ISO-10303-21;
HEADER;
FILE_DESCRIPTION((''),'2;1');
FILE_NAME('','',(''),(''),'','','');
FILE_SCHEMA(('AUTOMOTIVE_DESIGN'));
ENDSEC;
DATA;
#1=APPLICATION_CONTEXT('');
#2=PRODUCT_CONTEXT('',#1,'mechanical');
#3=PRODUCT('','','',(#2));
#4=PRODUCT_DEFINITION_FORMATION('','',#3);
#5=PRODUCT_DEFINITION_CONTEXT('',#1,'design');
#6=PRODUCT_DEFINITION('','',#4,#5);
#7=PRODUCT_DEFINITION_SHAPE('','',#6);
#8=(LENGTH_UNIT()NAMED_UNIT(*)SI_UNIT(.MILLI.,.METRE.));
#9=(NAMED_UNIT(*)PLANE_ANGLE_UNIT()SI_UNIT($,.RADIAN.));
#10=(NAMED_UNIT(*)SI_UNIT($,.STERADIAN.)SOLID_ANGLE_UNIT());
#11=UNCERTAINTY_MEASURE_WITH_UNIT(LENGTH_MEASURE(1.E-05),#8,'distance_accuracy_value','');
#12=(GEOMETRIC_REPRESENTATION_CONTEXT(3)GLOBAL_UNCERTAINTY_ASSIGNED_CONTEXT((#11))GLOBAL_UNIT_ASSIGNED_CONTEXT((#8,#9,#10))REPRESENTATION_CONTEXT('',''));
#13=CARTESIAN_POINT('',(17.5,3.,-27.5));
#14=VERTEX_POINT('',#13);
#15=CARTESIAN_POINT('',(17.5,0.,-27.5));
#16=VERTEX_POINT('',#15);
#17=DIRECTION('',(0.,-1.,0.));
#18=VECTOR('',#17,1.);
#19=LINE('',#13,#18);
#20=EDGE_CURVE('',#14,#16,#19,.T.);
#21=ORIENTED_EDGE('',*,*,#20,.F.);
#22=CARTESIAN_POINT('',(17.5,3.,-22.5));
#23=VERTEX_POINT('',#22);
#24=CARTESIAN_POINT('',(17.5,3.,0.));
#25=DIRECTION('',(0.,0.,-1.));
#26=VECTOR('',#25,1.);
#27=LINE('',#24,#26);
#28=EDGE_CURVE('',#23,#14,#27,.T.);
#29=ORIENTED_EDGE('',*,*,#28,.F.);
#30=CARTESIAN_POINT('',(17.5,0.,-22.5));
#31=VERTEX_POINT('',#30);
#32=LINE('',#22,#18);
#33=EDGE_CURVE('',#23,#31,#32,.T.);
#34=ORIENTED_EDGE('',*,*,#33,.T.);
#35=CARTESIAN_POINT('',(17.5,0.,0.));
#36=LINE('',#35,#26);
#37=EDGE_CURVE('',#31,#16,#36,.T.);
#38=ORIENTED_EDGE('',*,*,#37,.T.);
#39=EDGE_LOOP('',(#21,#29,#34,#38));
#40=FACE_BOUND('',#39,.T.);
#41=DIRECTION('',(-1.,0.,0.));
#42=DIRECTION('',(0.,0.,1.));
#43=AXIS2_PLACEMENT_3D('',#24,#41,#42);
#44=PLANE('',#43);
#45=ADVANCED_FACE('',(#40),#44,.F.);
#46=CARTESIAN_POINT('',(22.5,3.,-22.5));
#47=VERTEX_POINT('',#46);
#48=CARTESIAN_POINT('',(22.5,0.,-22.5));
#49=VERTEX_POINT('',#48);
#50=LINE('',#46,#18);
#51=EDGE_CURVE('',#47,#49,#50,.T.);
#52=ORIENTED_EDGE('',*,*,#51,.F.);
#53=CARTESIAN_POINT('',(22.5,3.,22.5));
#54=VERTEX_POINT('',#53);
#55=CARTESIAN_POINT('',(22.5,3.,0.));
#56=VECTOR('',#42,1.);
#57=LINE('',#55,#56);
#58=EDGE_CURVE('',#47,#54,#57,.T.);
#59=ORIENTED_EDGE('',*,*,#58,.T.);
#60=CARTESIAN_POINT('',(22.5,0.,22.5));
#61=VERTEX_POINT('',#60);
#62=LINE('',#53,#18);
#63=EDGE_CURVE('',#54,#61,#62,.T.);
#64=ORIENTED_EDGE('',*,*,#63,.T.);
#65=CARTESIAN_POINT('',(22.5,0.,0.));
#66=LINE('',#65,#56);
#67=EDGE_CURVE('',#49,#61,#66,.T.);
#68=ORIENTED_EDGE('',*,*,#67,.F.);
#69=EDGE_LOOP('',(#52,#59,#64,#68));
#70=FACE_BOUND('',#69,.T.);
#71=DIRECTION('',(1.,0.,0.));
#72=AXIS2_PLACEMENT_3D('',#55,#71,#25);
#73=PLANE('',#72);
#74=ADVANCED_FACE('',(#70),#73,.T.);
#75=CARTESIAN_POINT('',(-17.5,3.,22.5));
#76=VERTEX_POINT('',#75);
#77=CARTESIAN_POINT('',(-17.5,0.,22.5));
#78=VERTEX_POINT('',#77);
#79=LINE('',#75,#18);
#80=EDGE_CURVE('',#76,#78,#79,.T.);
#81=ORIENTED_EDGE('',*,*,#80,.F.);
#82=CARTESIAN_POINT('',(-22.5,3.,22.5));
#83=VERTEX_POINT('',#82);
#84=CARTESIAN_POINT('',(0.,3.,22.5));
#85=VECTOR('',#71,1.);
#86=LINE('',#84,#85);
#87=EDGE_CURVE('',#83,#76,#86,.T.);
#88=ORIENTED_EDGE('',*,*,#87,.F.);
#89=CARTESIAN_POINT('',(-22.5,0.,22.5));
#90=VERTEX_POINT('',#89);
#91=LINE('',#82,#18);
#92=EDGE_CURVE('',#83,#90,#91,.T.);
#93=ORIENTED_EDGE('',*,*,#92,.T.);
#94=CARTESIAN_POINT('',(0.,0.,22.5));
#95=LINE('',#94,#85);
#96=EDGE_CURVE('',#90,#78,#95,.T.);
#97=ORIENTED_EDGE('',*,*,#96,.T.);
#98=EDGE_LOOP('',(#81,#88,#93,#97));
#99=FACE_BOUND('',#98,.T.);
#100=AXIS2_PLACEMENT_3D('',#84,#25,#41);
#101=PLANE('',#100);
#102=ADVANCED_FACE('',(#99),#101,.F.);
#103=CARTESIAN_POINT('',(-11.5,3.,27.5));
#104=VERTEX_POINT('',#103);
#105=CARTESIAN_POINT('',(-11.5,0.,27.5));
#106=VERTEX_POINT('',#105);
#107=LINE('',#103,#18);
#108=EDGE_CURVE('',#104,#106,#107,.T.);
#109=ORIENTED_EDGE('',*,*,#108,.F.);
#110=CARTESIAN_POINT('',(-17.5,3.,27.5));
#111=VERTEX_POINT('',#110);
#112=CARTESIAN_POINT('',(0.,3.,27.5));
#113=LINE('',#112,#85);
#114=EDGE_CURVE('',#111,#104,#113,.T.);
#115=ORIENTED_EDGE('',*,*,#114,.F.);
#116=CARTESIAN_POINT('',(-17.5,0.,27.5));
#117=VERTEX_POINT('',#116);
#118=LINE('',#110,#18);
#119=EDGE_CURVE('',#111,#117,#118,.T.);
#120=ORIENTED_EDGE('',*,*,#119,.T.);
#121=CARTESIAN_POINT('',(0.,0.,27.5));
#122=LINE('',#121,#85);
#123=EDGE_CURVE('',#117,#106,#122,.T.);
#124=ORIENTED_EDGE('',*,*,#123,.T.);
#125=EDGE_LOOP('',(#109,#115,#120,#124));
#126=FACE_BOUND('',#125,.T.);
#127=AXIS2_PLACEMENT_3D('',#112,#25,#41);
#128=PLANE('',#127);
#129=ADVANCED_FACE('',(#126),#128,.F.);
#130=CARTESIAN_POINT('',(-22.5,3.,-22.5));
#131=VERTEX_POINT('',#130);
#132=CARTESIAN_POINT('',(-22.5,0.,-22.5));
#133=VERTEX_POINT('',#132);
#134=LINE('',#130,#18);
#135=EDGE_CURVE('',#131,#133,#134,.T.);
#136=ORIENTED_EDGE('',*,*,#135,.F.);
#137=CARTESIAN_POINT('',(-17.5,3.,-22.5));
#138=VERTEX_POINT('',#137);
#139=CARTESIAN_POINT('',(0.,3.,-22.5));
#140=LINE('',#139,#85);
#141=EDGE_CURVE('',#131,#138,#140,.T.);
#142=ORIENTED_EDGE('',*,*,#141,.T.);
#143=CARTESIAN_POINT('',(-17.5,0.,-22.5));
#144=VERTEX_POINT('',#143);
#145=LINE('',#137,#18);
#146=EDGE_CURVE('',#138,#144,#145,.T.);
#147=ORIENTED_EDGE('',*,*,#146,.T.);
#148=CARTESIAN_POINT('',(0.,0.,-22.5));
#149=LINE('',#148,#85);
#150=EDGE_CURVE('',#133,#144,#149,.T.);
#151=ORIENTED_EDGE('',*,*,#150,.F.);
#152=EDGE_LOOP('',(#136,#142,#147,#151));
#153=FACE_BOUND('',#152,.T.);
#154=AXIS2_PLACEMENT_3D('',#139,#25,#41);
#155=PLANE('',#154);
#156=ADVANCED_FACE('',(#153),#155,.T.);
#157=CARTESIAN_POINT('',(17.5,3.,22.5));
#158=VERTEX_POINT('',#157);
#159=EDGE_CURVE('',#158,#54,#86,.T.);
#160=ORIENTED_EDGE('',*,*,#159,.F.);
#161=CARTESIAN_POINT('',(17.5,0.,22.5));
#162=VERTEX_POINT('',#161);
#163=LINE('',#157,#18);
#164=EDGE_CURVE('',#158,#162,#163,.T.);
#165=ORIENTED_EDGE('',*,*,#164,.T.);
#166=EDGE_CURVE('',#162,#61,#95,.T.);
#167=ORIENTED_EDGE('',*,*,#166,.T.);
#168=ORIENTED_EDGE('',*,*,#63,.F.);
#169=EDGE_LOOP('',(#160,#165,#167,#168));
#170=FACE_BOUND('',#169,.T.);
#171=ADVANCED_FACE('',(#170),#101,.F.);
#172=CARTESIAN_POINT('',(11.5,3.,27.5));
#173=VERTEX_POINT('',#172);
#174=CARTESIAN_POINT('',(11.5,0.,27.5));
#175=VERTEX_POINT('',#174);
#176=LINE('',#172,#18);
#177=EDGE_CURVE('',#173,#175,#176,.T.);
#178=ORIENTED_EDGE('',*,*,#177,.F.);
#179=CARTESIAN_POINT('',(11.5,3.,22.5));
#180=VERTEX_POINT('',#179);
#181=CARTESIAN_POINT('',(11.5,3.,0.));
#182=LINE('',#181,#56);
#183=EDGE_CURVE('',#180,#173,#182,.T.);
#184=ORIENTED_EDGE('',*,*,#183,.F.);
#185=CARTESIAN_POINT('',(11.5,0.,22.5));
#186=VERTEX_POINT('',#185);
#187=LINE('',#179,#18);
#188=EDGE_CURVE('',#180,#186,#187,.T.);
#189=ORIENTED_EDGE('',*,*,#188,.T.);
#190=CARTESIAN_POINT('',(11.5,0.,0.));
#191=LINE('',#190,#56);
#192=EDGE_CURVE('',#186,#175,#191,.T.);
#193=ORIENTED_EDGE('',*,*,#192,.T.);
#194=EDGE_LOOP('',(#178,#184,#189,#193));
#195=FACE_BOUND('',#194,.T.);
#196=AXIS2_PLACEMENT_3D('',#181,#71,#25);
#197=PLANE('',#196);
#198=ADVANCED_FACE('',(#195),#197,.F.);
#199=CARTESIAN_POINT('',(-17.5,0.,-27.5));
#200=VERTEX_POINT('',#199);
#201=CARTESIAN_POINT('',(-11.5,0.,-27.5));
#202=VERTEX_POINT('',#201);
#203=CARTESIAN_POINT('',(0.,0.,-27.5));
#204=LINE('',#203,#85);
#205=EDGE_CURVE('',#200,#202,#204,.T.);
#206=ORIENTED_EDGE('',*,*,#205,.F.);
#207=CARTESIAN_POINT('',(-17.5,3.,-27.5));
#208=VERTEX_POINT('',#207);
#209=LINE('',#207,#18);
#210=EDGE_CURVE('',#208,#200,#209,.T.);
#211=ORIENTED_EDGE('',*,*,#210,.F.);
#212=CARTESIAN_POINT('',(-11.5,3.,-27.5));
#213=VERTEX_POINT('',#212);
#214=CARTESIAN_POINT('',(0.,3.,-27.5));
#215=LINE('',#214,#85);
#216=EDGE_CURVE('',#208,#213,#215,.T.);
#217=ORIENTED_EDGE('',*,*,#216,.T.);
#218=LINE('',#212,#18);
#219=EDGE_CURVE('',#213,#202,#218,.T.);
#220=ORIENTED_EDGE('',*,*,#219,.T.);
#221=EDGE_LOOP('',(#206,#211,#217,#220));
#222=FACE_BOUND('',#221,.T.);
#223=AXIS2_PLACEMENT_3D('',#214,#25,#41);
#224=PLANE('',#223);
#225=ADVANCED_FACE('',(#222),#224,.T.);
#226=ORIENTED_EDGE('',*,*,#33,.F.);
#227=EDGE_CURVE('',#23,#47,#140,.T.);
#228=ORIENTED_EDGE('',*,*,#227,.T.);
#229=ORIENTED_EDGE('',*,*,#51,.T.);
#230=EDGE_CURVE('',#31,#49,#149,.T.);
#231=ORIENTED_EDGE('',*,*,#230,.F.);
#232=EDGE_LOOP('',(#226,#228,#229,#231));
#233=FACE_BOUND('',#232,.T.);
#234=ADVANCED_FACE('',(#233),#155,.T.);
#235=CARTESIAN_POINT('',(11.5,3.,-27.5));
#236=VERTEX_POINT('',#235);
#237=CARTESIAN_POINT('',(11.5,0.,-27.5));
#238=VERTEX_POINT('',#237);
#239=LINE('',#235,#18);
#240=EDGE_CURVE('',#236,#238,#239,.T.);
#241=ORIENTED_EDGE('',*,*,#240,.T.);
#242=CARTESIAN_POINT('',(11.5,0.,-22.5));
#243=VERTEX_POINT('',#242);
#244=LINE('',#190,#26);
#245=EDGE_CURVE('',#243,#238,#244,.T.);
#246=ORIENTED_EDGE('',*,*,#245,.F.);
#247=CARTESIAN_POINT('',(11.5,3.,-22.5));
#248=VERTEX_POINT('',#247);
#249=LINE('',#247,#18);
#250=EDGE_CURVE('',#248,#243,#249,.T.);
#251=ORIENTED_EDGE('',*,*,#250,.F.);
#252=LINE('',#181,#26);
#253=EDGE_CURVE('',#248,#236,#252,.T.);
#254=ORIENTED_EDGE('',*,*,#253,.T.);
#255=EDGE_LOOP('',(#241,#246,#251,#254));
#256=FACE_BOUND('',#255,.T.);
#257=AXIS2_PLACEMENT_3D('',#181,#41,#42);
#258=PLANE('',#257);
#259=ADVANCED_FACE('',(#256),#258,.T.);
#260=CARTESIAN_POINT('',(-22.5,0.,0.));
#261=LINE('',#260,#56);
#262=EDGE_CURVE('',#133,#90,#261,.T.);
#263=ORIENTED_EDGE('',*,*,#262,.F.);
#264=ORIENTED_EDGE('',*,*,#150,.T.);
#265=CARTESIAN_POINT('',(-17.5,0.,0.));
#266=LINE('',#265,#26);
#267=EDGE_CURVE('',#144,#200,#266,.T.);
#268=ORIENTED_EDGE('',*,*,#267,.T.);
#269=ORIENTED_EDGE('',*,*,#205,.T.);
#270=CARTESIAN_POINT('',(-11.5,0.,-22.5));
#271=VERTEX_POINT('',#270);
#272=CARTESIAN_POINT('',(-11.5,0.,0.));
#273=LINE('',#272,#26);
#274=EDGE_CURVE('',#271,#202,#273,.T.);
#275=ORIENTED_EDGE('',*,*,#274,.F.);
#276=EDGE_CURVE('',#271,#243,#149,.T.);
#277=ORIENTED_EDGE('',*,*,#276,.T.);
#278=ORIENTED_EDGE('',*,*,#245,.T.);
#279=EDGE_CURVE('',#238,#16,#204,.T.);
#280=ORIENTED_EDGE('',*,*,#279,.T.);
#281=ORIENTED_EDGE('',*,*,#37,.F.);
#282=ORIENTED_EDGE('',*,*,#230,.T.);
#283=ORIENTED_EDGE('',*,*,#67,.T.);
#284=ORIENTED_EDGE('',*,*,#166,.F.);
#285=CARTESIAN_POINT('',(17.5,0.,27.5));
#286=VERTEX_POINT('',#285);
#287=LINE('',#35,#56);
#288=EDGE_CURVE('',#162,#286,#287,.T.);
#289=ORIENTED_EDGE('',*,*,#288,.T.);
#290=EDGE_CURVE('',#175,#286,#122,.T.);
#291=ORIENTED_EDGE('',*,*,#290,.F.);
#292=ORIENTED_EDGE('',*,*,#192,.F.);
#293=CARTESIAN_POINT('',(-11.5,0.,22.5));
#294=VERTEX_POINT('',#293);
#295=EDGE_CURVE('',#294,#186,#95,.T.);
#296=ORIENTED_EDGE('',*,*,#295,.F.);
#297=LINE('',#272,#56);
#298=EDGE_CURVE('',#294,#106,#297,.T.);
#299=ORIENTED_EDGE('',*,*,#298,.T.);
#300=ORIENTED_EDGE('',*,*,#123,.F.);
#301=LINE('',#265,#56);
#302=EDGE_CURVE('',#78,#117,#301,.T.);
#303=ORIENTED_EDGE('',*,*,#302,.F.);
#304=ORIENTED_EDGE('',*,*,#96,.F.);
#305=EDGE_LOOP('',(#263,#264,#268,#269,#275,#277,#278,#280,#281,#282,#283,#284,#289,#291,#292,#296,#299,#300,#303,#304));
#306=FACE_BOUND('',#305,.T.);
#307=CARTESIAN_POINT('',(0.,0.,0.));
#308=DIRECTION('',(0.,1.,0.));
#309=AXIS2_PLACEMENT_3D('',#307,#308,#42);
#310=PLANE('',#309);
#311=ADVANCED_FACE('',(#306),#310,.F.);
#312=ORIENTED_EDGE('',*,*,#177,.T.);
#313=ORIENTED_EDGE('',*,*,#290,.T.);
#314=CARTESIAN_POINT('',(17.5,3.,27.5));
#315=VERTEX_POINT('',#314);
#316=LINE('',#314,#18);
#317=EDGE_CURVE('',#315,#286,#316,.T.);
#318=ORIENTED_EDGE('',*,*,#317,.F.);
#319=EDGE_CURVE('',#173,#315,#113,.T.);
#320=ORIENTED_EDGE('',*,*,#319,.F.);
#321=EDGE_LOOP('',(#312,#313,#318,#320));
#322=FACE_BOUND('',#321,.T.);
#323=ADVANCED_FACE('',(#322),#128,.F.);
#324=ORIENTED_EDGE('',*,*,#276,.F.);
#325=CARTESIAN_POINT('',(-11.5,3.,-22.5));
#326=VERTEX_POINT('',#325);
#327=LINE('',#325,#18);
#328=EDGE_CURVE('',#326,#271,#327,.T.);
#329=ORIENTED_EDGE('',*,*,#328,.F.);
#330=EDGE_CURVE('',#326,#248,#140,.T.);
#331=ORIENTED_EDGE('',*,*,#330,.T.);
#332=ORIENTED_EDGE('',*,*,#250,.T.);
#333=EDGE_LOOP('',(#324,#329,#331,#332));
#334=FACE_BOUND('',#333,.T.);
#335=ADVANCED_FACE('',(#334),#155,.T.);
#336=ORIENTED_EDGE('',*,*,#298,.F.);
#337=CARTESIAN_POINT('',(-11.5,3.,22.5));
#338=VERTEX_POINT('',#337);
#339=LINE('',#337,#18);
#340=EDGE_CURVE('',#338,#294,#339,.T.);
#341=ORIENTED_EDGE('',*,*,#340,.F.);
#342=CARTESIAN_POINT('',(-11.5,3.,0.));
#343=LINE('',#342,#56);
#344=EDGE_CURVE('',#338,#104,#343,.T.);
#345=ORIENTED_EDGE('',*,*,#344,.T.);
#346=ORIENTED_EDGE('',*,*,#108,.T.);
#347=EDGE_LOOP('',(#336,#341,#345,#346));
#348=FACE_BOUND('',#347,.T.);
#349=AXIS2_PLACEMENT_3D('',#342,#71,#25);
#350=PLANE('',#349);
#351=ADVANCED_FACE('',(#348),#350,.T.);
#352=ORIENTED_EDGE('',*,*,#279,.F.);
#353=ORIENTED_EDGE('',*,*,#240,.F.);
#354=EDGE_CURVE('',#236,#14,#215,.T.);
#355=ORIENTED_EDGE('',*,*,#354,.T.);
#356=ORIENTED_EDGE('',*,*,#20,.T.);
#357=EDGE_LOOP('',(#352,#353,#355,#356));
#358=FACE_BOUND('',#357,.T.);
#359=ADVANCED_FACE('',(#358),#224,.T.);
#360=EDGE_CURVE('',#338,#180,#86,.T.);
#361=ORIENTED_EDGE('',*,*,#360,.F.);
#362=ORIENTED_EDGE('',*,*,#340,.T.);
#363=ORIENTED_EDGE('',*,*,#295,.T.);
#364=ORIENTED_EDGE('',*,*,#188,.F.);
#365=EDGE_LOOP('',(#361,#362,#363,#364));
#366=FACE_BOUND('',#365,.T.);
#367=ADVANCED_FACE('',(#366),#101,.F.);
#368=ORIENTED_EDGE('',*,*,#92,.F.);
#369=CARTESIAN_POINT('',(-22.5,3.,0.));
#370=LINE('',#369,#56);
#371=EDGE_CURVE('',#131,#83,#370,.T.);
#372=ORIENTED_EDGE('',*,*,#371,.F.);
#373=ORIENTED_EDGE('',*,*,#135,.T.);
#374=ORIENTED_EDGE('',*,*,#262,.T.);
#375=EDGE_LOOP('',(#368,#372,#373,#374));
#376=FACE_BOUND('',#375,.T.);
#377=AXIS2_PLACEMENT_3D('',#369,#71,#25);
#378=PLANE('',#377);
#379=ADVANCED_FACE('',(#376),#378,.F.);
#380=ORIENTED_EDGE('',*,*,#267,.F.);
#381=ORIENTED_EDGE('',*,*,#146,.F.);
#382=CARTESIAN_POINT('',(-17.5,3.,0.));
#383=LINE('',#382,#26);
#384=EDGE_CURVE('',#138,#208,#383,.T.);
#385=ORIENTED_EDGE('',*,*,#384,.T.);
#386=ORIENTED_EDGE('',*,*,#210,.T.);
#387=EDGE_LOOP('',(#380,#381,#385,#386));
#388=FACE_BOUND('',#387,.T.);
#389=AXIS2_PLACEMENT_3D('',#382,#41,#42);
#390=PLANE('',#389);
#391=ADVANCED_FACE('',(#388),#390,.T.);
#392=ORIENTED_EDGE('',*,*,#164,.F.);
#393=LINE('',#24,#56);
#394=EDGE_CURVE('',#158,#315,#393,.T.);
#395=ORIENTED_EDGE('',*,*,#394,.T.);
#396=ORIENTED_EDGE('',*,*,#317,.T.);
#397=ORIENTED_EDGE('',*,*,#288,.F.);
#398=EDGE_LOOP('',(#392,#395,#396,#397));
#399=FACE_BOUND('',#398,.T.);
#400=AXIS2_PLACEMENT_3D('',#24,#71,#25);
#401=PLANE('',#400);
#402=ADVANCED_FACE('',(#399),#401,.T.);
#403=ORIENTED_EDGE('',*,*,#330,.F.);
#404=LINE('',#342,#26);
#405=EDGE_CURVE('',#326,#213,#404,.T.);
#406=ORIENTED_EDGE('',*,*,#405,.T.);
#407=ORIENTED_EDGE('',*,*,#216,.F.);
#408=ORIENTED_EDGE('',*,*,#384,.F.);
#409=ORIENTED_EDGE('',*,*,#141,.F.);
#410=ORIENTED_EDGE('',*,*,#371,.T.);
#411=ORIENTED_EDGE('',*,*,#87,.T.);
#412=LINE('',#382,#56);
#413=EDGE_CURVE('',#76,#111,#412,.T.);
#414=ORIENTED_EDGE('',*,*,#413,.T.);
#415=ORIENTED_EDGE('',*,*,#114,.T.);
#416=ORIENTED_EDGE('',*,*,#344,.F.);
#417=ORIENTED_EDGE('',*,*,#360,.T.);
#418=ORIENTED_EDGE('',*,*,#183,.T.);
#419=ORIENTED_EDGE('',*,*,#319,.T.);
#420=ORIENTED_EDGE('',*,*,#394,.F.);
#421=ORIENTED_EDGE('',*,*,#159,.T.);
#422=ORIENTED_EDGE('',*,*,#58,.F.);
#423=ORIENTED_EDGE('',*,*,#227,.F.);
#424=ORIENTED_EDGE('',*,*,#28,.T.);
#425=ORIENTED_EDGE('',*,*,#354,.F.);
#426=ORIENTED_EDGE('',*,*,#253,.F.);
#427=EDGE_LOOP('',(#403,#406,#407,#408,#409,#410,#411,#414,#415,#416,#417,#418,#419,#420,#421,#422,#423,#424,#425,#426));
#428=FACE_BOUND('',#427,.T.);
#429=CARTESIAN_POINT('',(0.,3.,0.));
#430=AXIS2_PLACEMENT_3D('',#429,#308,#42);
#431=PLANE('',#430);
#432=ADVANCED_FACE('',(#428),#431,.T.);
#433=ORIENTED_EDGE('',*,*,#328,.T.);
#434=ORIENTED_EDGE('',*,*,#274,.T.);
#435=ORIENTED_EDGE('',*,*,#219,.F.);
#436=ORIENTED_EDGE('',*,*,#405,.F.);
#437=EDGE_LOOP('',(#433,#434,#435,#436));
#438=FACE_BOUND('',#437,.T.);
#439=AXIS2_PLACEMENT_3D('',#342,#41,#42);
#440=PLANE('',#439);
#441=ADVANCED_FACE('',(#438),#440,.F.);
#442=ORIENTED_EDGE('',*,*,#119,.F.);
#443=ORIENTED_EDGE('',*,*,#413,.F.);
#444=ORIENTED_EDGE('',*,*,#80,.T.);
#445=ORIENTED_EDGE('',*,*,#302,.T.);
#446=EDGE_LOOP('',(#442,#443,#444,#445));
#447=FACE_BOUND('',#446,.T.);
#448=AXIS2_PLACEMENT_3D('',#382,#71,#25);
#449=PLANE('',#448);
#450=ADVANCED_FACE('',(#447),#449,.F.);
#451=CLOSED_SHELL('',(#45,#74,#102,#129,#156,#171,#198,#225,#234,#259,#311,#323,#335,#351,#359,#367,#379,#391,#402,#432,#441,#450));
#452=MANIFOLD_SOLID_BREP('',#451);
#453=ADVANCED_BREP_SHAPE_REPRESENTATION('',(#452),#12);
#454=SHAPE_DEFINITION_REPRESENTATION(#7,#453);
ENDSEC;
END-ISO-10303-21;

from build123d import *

# Parameters (mm, degrees)
CROQUIS1_W              = 45
CROQUIS1_H              = 45
CROQUIS1_W_2            = 6
CROQUIS1_H_2            = 5
SALIENTE_EXTRUIR1_DEPTH = 3


with BuildPart() as part:
    # Croquis1 → Saliente-Extruir1 (new body)
    with BuildSketch(Plane(origin=(0, 0, 0), x_dir=(1, 0, 0), z_dir=(0, 1, 0))):
        Rectangle(CROQUIS1_W, CROQUIS1_H)
        with Locations((-14.5, 25)):
            Rectangle(CROQUIS1_W_2, CROQUIS1_H_2)
        with Locations((14.5, 25)):
            Rectangle(CROQUIS1_W_2, CROQUIS1_H_2)
        with Locations((14.5, -25)):
            Rectangle(CROQUIS1_W_2, CROQUIS1_H_2)
        with Locations((-14.5, -25)):
            Rectangle(CROQUIS1_W_2, CROQUIS1_H_2)
    extrude(amount=SALIENTE_EXTRUIR1_DEPTH)


solid = part.part
